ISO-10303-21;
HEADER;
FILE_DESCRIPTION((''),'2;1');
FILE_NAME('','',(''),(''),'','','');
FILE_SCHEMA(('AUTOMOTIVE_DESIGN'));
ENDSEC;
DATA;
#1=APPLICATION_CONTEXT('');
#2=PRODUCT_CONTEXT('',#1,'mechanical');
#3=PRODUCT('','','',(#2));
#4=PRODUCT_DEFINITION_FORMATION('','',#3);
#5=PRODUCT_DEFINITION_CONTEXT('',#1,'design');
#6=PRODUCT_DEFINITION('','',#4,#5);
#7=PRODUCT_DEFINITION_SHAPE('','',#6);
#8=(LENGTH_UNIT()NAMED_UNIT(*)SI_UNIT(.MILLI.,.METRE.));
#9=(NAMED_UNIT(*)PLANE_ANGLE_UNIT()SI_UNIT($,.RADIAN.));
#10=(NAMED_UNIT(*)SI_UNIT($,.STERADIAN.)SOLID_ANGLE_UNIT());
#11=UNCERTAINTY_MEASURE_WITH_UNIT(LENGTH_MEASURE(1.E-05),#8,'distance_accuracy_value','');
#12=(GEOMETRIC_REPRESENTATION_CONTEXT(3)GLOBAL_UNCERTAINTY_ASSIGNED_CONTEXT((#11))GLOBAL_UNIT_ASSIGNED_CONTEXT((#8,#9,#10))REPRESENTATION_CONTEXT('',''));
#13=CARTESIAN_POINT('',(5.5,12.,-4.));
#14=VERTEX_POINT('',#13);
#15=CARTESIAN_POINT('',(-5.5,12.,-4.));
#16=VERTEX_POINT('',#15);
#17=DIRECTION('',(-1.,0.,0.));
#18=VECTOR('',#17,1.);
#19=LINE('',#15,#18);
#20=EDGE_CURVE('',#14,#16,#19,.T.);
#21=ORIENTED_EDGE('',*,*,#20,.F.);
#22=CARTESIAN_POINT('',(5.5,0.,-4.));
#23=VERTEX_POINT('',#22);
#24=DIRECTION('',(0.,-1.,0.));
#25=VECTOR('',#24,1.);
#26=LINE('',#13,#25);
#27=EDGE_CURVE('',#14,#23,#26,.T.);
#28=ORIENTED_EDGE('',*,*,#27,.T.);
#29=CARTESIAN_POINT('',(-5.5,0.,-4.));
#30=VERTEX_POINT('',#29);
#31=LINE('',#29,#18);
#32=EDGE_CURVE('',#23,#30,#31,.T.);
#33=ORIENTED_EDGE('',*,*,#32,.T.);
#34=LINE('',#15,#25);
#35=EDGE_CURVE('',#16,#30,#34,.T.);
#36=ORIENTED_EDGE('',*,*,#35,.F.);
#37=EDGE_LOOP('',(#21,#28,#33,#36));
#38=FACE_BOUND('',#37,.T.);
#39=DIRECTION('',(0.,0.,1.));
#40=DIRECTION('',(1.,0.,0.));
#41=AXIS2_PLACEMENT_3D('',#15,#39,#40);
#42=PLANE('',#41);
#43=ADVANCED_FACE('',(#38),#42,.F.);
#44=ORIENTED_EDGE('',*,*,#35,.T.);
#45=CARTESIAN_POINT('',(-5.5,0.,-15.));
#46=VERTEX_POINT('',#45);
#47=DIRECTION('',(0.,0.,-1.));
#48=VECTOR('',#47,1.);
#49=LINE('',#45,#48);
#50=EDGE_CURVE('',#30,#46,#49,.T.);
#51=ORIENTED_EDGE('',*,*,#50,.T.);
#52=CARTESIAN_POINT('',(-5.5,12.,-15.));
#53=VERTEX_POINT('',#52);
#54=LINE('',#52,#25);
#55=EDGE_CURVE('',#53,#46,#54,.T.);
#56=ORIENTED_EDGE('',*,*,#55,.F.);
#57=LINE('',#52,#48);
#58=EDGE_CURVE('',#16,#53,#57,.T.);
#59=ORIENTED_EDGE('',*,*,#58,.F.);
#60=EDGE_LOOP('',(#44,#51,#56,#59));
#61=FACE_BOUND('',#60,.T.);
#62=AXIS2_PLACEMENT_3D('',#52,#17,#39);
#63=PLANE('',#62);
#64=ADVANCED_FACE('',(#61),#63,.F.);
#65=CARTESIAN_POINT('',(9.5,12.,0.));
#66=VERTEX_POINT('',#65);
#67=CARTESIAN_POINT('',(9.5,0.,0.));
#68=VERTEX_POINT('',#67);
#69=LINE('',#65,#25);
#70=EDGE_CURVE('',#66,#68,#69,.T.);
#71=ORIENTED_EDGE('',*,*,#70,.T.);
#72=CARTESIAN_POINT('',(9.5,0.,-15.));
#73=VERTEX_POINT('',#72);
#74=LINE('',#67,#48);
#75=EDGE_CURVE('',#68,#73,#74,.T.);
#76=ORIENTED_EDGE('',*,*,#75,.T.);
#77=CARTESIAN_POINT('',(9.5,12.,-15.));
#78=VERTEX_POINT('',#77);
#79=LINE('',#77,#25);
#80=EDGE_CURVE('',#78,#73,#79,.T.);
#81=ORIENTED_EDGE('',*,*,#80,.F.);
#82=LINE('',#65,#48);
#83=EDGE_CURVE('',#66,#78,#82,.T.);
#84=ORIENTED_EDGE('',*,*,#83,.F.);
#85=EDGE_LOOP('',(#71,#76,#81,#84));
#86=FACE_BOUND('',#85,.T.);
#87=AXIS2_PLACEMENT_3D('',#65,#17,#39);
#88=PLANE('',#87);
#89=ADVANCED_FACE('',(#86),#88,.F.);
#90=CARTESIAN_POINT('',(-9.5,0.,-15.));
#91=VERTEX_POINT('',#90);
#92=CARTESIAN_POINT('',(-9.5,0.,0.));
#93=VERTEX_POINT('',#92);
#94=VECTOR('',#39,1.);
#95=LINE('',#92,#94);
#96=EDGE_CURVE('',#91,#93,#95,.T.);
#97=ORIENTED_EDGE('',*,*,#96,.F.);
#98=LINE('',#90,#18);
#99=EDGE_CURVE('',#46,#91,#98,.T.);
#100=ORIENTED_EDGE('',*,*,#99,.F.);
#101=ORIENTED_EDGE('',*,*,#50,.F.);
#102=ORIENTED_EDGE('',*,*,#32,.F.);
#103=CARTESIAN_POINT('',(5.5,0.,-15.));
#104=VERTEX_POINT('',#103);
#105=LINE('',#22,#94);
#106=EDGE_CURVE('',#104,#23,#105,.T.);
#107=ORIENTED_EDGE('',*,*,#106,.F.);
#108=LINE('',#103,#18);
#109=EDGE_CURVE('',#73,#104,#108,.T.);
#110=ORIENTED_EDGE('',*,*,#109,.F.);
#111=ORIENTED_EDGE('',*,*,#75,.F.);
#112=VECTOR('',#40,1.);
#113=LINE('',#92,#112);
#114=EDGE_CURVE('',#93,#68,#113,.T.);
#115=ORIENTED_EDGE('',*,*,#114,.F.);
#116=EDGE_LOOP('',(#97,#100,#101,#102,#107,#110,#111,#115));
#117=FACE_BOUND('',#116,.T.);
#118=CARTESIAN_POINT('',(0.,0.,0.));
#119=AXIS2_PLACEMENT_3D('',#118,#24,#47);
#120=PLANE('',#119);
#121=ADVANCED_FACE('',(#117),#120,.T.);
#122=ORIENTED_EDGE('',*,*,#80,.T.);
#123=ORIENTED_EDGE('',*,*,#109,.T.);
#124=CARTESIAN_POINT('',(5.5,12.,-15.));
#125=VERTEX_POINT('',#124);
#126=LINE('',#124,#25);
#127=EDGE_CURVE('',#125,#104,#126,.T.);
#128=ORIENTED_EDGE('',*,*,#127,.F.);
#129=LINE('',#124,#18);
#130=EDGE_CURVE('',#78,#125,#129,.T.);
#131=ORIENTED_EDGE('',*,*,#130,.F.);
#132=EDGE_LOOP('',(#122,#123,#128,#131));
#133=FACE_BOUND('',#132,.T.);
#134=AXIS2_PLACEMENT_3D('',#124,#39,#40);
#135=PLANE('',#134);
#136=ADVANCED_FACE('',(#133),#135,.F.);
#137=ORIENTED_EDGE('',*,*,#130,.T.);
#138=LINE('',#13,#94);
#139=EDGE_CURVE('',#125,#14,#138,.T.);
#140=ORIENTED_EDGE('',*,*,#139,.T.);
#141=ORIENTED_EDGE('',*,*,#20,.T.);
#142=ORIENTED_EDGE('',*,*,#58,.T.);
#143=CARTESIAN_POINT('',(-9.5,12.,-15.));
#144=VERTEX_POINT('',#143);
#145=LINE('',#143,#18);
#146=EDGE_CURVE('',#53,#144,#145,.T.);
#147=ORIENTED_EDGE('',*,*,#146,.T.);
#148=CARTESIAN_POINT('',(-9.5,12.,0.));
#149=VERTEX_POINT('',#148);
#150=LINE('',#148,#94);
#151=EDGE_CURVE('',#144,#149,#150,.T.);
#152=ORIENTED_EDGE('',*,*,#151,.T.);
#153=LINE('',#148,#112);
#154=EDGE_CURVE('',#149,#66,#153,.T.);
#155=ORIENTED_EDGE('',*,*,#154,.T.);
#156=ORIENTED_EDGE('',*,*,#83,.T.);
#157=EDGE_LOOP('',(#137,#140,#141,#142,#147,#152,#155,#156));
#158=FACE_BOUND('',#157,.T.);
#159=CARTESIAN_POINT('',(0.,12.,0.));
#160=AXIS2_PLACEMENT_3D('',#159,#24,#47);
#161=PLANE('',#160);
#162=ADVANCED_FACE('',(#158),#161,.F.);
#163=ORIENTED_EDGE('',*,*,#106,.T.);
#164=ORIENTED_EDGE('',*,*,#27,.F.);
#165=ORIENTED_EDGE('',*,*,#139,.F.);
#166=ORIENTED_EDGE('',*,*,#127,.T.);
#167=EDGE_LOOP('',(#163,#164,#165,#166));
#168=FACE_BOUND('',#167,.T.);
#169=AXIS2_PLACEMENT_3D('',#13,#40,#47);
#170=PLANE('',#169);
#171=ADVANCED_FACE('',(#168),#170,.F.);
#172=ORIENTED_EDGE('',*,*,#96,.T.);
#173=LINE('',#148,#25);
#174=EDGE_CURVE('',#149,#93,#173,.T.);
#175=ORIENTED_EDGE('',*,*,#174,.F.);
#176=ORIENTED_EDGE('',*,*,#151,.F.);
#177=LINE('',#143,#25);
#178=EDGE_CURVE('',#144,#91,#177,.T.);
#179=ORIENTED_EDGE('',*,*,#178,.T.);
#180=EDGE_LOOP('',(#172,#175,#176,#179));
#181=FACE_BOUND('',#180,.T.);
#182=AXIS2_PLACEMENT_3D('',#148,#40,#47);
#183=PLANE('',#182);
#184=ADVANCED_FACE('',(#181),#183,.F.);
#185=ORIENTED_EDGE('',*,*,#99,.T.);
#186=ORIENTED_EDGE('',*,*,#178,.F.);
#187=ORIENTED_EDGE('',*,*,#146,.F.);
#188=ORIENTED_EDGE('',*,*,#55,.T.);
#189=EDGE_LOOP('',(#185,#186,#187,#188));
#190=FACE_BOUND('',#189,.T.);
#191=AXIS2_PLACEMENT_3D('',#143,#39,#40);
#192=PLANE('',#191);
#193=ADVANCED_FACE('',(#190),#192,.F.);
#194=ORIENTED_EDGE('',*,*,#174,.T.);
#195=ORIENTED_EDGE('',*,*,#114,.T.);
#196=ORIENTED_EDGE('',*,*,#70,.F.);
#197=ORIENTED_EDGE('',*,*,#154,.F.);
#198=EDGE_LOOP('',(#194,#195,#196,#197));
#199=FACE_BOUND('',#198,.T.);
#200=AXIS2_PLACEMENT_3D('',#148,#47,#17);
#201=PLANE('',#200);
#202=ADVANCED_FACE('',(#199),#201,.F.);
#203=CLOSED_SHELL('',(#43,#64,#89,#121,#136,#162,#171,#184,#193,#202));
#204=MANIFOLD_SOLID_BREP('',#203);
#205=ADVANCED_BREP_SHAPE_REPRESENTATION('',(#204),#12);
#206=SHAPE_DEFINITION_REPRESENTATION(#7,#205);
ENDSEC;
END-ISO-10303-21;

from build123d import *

# Parameters (mm, degrees)
BOSS_EXTRUDE1_DEPTH = 12


with BuildPart() as part:
    # Sketch1 → Boss-Extrude1 (new body)
    with BuildSketch(Plane(origin=(0, 0, 0), x_dir=(1, 0, 0), z_dir=(0, 1, 0))):
        Polygon((-9.5, 0), (9.5, 0), (9.5, 15), (5.5, 15), (5.5, 4), (-5.5, 4), (-5.5, 15), (-9.5, 15), align=None)
    extrude(amount=BOSS_EXTRUDE1_DEPTH)


solid = part.part
